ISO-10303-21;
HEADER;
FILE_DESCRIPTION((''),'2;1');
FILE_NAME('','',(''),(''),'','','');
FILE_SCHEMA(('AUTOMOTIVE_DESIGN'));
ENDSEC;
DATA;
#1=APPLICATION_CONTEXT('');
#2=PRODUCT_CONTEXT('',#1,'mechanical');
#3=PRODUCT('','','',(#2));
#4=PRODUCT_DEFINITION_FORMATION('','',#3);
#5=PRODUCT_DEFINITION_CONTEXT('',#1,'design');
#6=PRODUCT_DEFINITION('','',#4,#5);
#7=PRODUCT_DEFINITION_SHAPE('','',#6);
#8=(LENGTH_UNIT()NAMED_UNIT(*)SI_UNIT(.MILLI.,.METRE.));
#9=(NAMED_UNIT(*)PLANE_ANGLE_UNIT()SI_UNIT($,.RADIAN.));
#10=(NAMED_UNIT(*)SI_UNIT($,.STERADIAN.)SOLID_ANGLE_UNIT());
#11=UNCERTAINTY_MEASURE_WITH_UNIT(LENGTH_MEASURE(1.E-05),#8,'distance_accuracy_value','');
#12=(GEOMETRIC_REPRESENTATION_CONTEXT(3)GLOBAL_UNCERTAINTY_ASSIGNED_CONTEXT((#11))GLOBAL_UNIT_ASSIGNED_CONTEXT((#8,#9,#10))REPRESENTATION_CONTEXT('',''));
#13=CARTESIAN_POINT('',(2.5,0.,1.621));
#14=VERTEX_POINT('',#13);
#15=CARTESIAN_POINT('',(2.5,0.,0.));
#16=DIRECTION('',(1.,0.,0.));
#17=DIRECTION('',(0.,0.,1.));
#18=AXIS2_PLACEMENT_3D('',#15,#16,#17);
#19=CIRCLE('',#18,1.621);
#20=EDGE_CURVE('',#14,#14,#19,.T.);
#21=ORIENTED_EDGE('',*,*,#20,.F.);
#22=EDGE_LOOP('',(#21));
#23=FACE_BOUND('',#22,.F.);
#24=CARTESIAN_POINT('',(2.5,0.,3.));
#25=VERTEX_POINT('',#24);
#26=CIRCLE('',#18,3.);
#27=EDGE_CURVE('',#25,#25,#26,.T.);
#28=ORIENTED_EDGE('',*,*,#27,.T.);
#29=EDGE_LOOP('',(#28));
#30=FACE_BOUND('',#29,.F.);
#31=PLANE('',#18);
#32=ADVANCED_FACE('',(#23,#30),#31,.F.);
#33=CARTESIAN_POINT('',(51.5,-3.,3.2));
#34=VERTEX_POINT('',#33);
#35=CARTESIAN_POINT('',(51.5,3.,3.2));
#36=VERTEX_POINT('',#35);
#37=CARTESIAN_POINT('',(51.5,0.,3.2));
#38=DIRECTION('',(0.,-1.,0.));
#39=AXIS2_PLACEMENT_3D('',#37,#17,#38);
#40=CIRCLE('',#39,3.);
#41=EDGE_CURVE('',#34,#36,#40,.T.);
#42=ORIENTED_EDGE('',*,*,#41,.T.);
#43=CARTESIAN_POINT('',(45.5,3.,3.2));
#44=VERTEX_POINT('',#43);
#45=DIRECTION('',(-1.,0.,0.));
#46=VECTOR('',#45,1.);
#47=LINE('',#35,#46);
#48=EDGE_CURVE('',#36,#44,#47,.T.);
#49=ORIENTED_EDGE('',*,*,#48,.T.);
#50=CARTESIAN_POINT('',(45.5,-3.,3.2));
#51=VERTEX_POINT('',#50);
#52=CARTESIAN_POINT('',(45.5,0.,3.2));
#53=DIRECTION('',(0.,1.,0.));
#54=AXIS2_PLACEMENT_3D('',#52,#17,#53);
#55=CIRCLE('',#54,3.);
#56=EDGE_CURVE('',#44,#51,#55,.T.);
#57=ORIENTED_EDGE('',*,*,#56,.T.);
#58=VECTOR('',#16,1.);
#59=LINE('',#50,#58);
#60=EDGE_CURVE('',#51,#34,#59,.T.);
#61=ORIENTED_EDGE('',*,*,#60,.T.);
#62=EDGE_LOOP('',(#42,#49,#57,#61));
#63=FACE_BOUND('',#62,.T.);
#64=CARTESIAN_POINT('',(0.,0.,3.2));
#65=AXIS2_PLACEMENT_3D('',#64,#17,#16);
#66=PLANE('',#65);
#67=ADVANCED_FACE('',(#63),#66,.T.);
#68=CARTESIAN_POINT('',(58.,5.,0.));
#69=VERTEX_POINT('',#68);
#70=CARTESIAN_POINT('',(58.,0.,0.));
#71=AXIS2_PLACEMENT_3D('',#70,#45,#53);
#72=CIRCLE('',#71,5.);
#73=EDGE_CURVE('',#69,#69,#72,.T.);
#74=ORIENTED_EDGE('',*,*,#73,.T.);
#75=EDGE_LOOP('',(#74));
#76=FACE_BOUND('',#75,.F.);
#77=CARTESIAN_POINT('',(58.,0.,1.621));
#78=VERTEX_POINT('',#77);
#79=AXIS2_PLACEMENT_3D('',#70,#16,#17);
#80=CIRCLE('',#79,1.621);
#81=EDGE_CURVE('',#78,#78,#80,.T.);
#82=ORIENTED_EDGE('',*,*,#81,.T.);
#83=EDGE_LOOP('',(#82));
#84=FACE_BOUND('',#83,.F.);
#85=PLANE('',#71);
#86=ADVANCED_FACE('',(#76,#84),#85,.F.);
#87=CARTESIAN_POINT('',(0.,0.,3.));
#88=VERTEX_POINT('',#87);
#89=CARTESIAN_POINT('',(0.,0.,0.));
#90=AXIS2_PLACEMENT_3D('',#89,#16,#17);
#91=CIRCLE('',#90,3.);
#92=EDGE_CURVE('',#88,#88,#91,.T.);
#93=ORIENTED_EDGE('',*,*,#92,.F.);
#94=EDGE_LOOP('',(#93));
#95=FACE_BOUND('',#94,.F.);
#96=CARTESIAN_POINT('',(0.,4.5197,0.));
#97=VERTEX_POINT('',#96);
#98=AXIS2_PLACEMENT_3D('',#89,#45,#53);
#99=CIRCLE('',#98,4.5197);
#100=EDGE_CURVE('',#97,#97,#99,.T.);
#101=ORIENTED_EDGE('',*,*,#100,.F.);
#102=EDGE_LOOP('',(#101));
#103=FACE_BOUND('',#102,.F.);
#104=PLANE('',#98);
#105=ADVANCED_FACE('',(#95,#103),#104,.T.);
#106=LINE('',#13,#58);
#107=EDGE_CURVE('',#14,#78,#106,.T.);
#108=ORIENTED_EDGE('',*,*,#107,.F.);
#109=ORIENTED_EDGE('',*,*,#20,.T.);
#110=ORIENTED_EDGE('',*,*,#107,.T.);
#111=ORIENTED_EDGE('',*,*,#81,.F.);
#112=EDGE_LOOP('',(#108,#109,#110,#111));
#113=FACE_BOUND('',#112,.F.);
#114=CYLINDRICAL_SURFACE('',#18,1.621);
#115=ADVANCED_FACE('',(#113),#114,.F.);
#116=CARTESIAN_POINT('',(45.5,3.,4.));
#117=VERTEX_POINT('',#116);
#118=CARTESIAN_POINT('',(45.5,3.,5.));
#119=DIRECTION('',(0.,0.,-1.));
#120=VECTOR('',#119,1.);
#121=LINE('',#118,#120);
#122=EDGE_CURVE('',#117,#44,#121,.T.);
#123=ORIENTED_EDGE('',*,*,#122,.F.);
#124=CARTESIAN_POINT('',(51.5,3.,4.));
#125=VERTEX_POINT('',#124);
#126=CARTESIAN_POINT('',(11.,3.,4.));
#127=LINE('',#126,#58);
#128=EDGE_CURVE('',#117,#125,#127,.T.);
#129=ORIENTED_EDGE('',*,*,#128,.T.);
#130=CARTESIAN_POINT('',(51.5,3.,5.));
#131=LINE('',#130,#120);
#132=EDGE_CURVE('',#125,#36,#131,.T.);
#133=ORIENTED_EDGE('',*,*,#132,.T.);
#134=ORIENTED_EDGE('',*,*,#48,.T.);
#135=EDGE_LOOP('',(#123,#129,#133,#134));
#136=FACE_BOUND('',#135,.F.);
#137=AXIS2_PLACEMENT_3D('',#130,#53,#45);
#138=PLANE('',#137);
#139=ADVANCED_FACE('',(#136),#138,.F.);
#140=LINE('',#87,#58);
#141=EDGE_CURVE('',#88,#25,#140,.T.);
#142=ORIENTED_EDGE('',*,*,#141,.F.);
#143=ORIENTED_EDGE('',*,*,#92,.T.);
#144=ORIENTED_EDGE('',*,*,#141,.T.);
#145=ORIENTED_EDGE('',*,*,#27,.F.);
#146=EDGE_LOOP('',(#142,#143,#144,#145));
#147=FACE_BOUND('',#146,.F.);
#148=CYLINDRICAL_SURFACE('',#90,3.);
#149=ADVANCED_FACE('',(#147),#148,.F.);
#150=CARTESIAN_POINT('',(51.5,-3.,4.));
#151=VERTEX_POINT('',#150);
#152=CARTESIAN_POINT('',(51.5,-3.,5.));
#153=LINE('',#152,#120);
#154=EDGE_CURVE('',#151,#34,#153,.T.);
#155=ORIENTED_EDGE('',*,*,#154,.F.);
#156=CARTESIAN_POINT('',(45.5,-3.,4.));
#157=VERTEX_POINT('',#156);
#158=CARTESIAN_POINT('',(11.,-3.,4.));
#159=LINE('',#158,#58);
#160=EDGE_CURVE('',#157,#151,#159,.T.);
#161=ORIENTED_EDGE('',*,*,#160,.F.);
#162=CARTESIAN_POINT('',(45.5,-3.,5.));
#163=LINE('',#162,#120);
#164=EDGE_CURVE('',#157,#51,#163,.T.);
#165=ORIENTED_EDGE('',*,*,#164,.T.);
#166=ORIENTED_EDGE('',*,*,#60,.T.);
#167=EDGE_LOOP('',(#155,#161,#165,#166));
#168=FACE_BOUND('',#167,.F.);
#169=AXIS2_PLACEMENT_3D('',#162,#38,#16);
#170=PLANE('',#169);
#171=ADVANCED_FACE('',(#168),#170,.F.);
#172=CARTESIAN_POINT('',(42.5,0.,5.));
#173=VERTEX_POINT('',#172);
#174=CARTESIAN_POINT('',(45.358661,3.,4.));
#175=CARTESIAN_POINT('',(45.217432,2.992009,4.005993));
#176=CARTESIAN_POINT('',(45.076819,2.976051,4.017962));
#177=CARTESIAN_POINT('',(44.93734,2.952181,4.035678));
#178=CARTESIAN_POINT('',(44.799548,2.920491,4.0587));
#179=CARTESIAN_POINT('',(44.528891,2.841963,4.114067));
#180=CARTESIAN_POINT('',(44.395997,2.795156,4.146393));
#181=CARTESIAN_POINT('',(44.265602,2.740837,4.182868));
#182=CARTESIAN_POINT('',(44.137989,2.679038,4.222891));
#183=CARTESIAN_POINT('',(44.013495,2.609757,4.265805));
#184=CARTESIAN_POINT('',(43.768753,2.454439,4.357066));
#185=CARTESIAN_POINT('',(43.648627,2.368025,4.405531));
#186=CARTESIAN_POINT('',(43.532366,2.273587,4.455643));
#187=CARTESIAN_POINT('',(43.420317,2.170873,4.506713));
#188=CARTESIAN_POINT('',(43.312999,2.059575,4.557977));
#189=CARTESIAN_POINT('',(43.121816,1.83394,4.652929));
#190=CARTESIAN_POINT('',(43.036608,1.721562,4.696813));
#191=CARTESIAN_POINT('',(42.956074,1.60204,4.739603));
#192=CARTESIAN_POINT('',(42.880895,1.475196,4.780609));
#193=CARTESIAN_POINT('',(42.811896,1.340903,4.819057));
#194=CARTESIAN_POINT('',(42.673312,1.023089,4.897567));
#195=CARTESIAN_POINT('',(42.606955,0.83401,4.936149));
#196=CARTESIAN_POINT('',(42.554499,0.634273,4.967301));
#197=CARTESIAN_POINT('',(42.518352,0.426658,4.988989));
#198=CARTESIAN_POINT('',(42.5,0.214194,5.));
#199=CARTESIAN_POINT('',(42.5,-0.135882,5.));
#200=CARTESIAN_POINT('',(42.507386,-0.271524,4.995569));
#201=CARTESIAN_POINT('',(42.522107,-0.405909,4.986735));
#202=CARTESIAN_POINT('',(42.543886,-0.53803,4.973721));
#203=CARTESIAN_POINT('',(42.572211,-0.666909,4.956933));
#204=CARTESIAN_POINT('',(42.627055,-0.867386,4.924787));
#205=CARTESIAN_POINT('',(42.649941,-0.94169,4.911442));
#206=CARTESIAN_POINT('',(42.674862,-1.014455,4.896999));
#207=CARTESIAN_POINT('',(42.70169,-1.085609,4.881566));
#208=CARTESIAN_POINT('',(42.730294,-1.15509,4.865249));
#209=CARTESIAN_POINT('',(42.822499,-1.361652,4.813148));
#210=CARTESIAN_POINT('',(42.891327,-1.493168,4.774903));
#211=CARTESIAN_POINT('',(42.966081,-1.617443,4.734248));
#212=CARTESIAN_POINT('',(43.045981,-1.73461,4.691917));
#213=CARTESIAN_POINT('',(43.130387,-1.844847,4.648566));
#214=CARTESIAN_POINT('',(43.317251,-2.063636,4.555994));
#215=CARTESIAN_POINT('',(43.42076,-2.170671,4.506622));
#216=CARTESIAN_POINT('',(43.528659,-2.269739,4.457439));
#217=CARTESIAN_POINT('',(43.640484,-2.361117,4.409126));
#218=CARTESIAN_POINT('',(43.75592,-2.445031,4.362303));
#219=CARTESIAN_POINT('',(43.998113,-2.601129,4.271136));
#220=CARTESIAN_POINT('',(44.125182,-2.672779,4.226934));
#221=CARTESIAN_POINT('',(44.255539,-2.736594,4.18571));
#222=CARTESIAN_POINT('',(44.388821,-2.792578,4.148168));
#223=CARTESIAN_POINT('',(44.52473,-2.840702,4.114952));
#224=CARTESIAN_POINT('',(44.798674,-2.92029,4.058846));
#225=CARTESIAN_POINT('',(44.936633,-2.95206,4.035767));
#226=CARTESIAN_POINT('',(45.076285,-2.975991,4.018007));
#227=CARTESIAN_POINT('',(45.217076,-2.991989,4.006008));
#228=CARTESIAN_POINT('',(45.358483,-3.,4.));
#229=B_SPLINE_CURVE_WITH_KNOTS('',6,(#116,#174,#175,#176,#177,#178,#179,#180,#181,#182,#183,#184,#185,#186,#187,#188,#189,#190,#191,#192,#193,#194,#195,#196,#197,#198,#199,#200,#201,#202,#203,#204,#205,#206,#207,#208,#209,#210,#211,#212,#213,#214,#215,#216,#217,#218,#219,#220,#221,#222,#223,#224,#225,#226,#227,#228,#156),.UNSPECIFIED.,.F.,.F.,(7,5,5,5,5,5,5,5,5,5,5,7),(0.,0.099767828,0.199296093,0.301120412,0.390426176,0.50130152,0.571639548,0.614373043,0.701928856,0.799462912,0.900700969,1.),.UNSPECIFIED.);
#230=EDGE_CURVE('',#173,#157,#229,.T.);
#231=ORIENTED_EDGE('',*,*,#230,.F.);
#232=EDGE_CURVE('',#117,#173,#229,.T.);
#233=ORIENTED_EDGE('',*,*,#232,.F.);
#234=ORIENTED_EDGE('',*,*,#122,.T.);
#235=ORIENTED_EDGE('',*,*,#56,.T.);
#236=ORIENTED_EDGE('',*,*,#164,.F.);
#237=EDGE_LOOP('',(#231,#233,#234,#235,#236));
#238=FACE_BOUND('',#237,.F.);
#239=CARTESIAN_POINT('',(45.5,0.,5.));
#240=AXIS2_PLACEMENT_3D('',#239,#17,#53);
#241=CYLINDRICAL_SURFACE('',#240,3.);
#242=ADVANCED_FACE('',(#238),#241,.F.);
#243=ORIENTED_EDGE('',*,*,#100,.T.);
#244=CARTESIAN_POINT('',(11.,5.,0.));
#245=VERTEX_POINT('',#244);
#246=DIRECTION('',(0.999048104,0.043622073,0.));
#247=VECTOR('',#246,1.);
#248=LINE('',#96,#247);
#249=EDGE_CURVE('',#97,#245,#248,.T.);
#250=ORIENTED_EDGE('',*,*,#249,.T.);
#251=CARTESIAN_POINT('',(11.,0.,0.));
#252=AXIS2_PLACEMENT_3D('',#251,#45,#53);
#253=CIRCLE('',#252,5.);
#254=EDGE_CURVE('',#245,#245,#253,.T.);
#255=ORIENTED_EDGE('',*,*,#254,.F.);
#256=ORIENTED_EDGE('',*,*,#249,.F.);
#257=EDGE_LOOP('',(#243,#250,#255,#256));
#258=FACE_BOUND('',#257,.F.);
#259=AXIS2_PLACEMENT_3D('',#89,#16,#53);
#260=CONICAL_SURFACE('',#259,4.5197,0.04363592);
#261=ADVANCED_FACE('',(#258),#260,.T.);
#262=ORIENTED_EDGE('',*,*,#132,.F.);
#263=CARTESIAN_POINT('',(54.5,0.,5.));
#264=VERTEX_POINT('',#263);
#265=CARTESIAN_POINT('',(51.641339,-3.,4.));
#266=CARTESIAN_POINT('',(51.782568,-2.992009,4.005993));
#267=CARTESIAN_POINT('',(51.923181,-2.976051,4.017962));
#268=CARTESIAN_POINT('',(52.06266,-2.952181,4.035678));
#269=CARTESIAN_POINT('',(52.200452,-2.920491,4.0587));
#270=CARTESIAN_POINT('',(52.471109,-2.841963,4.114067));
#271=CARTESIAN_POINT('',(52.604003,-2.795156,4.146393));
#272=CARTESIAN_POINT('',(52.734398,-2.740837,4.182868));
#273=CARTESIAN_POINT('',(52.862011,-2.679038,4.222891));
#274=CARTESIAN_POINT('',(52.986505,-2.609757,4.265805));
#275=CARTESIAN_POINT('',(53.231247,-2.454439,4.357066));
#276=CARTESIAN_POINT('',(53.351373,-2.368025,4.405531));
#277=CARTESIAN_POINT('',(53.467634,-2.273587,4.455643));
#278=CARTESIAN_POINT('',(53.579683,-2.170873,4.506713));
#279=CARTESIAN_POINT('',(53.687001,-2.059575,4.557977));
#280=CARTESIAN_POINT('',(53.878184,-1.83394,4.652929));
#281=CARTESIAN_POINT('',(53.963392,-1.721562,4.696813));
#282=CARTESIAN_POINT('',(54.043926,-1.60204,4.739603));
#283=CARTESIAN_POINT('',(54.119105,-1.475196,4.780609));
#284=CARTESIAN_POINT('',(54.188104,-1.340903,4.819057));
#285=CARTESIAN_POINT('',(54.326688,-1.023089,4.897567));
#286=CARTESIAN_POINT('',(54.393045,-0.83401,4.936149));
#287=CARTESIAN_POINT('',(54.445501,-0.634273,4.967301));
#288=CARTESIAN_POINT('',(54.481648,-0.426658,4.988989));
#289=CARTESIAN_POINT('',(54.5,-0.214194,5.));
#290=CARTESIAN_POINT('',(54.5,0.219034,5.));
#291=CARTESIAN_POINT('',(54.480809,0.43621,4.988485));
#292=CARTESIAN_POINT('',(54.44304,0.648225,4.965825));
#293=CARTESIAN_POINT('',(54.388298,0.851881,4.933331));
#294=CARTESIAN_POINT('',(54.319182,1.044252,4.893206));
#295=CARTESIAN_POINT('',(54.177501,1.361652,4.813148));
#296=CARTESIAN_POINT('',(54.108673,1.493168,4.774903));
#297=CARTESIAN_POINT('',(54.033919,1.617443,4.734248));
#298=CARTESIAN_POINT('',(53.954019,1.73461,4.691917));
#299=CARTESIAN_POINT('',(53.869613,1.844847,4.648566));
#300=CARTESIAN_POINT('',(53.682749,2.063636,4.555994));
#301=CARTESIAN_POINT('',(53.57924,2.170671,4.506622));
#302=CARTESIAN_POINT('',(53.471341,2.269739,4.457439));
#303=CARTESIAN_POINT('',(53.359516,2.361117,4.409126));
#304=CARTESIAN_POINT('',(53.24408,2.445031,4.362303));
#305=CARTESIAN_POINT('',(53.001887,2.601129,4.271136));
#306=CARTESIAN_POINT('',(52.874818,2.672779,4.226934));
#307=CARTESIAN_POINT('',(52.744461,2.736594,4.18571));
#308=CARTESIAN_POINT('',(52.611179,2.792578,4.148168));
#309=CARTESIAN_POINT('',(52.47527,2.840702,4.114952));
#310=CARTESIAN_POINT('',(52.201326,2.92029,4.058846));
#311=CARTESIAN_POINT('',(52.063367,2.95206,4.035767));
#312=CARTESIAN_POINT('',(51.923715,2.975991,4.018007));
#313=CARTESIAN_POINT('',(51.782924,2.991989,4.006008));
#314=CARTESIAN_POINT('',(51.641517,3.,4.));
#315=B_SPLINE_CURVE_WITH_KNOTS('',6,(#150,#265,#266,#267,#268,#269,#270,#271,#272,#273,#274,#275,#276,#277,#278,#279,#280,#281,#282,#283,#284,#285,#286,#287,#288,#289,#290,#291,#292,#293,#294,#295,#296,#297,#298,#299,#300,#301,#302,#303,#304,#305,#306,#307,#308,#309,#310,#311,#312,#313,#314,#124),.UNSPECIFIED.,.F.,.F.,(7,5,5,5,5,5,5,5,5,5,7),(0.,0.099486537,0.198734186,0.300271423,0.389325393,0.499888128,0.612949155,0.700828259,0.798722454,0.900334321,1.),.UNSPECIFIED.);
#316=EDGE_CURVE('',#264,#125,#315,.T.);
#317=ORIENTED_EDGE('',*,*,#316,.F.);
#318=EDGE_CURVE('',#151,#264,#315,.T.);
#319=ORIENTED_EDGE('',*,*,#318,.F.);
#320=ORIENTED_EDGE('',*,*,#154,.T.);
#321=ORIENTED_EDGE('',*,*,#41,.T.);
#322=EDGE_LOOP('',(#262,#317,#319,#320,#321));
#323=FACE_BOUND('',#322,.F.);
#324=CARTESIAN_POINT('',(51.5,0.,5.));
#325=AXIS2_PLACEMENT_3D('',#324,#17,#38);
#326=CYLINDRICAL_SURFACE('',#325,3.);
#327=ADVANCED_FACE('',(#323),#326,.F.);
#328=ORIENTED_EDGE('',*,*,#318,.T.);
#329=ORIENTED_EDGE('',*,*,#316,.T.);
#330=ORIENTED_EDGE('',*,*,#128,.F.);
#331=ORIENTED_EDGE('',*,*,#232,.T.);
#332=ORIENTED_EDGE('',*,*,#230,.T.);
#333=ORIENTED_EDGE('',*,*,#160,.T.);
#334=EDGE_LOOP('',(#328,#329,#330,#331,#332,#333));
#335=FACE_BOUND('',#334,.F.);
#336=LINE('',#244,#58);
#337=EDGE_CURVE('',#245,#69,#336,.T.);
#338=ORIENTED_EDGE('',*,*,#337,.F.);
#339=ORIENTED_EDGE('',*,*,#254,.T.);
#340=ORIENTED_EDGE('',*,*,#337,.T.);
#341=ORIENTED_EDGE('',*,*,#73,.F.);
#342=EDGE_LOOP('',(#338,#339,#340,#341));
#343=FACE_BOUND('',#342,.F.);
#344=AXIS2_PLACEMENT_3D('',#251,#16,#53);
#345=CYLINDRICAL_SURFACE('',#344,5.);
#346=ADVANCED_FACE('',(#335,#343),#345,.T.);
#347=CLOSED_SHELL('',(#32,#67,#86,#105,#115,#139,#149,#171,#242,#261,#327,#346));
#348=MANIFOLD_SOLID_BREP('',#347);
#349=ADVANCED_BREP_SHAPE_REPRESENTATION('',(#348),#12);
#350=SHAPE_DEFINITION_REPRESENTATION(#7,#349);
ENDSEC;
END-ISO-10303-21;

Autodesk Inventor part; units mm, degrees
ref_plane "YZ Plane" through (0, 0, 0) normal (1, 0, 0) x (0, 1, 0)
ref_plane "XZ Plane" through (0, 0, 0) normal (0, 1, 0) x (-1, 0, 0)
sketch "Skizze1" plane through (0, 0, 0) normal (0, 0, 1) x (1, 0, 0)
  line L0 (0, 0) -> (0, 4.5197)
  line L1 (0, 4.5197) -> (11, 5)
  line L2 (11, 5) -> (58, 5)
  line L3 (58, 5) -> (58, 0)
  line L4 (58, 0) -> (0, 0)
  dimension "d0" = 2.5
  dimension "d1" = 58
  dimension "d2" = 10
  dimension "d3" = 11
revolve "Umdrehung1" add sketch "Skizze1" angle 360 about axis through (58, 0, 0) along (-1, 0, 0)
ref_plane "Arbeitsebene1" through (0, 0, 5) normal (0, 0, 1) x (1, 0, 0)
sketch "Skizze2" plane through (0, 0, 5) normal (0, 0, 1) x (1, 0, 0)
  line L0 (58, 5) -> (58, -5) projected
  line L1 (0, 0) -> (78.1266, 0) construction
  line L2 (45.5, 0) -> (51.5, 0) construction
  line L3 (45.5, -3) -> (51.5, -3)
  line L4 (51.5, 3) -> (45.5, 3)
  arc A0 (45.5, 3) -> (45.5, -3) centre (45.5, 0) ccw
  arc A1 (51.5, -3) -> (51.5, 3) centre (51.5, 0) ccw
  point P0 (48.5, 0)
  point P1 (58, 0)
  point P2 (54.5, 0)
  point P3 (42.5, 0)
  dimension "d8" = 12
  dimension "d9" = 3.5
  dimension "d10" = 3
extrude "Extrusion1" cut sketch "Skizze2" against normal blind 1.8
sketch "Skizze3" plane through (0, 0, 0) normal (-1, 0, 0) x (0, 0, 1)
  circle A0 centre (0, 0) radius 4.5197 projected
hole "Bohrung1" at (0, 0, 0) direction (1, 0, 0) diameter 3.242 depth 58 counterbore diameter 6 counterbore depth 2.5 thread size "M4x0.7" class "6H" standard "ISO Metric profile"
properties part number "Welle" material "Aluminum 6061-AHC"
